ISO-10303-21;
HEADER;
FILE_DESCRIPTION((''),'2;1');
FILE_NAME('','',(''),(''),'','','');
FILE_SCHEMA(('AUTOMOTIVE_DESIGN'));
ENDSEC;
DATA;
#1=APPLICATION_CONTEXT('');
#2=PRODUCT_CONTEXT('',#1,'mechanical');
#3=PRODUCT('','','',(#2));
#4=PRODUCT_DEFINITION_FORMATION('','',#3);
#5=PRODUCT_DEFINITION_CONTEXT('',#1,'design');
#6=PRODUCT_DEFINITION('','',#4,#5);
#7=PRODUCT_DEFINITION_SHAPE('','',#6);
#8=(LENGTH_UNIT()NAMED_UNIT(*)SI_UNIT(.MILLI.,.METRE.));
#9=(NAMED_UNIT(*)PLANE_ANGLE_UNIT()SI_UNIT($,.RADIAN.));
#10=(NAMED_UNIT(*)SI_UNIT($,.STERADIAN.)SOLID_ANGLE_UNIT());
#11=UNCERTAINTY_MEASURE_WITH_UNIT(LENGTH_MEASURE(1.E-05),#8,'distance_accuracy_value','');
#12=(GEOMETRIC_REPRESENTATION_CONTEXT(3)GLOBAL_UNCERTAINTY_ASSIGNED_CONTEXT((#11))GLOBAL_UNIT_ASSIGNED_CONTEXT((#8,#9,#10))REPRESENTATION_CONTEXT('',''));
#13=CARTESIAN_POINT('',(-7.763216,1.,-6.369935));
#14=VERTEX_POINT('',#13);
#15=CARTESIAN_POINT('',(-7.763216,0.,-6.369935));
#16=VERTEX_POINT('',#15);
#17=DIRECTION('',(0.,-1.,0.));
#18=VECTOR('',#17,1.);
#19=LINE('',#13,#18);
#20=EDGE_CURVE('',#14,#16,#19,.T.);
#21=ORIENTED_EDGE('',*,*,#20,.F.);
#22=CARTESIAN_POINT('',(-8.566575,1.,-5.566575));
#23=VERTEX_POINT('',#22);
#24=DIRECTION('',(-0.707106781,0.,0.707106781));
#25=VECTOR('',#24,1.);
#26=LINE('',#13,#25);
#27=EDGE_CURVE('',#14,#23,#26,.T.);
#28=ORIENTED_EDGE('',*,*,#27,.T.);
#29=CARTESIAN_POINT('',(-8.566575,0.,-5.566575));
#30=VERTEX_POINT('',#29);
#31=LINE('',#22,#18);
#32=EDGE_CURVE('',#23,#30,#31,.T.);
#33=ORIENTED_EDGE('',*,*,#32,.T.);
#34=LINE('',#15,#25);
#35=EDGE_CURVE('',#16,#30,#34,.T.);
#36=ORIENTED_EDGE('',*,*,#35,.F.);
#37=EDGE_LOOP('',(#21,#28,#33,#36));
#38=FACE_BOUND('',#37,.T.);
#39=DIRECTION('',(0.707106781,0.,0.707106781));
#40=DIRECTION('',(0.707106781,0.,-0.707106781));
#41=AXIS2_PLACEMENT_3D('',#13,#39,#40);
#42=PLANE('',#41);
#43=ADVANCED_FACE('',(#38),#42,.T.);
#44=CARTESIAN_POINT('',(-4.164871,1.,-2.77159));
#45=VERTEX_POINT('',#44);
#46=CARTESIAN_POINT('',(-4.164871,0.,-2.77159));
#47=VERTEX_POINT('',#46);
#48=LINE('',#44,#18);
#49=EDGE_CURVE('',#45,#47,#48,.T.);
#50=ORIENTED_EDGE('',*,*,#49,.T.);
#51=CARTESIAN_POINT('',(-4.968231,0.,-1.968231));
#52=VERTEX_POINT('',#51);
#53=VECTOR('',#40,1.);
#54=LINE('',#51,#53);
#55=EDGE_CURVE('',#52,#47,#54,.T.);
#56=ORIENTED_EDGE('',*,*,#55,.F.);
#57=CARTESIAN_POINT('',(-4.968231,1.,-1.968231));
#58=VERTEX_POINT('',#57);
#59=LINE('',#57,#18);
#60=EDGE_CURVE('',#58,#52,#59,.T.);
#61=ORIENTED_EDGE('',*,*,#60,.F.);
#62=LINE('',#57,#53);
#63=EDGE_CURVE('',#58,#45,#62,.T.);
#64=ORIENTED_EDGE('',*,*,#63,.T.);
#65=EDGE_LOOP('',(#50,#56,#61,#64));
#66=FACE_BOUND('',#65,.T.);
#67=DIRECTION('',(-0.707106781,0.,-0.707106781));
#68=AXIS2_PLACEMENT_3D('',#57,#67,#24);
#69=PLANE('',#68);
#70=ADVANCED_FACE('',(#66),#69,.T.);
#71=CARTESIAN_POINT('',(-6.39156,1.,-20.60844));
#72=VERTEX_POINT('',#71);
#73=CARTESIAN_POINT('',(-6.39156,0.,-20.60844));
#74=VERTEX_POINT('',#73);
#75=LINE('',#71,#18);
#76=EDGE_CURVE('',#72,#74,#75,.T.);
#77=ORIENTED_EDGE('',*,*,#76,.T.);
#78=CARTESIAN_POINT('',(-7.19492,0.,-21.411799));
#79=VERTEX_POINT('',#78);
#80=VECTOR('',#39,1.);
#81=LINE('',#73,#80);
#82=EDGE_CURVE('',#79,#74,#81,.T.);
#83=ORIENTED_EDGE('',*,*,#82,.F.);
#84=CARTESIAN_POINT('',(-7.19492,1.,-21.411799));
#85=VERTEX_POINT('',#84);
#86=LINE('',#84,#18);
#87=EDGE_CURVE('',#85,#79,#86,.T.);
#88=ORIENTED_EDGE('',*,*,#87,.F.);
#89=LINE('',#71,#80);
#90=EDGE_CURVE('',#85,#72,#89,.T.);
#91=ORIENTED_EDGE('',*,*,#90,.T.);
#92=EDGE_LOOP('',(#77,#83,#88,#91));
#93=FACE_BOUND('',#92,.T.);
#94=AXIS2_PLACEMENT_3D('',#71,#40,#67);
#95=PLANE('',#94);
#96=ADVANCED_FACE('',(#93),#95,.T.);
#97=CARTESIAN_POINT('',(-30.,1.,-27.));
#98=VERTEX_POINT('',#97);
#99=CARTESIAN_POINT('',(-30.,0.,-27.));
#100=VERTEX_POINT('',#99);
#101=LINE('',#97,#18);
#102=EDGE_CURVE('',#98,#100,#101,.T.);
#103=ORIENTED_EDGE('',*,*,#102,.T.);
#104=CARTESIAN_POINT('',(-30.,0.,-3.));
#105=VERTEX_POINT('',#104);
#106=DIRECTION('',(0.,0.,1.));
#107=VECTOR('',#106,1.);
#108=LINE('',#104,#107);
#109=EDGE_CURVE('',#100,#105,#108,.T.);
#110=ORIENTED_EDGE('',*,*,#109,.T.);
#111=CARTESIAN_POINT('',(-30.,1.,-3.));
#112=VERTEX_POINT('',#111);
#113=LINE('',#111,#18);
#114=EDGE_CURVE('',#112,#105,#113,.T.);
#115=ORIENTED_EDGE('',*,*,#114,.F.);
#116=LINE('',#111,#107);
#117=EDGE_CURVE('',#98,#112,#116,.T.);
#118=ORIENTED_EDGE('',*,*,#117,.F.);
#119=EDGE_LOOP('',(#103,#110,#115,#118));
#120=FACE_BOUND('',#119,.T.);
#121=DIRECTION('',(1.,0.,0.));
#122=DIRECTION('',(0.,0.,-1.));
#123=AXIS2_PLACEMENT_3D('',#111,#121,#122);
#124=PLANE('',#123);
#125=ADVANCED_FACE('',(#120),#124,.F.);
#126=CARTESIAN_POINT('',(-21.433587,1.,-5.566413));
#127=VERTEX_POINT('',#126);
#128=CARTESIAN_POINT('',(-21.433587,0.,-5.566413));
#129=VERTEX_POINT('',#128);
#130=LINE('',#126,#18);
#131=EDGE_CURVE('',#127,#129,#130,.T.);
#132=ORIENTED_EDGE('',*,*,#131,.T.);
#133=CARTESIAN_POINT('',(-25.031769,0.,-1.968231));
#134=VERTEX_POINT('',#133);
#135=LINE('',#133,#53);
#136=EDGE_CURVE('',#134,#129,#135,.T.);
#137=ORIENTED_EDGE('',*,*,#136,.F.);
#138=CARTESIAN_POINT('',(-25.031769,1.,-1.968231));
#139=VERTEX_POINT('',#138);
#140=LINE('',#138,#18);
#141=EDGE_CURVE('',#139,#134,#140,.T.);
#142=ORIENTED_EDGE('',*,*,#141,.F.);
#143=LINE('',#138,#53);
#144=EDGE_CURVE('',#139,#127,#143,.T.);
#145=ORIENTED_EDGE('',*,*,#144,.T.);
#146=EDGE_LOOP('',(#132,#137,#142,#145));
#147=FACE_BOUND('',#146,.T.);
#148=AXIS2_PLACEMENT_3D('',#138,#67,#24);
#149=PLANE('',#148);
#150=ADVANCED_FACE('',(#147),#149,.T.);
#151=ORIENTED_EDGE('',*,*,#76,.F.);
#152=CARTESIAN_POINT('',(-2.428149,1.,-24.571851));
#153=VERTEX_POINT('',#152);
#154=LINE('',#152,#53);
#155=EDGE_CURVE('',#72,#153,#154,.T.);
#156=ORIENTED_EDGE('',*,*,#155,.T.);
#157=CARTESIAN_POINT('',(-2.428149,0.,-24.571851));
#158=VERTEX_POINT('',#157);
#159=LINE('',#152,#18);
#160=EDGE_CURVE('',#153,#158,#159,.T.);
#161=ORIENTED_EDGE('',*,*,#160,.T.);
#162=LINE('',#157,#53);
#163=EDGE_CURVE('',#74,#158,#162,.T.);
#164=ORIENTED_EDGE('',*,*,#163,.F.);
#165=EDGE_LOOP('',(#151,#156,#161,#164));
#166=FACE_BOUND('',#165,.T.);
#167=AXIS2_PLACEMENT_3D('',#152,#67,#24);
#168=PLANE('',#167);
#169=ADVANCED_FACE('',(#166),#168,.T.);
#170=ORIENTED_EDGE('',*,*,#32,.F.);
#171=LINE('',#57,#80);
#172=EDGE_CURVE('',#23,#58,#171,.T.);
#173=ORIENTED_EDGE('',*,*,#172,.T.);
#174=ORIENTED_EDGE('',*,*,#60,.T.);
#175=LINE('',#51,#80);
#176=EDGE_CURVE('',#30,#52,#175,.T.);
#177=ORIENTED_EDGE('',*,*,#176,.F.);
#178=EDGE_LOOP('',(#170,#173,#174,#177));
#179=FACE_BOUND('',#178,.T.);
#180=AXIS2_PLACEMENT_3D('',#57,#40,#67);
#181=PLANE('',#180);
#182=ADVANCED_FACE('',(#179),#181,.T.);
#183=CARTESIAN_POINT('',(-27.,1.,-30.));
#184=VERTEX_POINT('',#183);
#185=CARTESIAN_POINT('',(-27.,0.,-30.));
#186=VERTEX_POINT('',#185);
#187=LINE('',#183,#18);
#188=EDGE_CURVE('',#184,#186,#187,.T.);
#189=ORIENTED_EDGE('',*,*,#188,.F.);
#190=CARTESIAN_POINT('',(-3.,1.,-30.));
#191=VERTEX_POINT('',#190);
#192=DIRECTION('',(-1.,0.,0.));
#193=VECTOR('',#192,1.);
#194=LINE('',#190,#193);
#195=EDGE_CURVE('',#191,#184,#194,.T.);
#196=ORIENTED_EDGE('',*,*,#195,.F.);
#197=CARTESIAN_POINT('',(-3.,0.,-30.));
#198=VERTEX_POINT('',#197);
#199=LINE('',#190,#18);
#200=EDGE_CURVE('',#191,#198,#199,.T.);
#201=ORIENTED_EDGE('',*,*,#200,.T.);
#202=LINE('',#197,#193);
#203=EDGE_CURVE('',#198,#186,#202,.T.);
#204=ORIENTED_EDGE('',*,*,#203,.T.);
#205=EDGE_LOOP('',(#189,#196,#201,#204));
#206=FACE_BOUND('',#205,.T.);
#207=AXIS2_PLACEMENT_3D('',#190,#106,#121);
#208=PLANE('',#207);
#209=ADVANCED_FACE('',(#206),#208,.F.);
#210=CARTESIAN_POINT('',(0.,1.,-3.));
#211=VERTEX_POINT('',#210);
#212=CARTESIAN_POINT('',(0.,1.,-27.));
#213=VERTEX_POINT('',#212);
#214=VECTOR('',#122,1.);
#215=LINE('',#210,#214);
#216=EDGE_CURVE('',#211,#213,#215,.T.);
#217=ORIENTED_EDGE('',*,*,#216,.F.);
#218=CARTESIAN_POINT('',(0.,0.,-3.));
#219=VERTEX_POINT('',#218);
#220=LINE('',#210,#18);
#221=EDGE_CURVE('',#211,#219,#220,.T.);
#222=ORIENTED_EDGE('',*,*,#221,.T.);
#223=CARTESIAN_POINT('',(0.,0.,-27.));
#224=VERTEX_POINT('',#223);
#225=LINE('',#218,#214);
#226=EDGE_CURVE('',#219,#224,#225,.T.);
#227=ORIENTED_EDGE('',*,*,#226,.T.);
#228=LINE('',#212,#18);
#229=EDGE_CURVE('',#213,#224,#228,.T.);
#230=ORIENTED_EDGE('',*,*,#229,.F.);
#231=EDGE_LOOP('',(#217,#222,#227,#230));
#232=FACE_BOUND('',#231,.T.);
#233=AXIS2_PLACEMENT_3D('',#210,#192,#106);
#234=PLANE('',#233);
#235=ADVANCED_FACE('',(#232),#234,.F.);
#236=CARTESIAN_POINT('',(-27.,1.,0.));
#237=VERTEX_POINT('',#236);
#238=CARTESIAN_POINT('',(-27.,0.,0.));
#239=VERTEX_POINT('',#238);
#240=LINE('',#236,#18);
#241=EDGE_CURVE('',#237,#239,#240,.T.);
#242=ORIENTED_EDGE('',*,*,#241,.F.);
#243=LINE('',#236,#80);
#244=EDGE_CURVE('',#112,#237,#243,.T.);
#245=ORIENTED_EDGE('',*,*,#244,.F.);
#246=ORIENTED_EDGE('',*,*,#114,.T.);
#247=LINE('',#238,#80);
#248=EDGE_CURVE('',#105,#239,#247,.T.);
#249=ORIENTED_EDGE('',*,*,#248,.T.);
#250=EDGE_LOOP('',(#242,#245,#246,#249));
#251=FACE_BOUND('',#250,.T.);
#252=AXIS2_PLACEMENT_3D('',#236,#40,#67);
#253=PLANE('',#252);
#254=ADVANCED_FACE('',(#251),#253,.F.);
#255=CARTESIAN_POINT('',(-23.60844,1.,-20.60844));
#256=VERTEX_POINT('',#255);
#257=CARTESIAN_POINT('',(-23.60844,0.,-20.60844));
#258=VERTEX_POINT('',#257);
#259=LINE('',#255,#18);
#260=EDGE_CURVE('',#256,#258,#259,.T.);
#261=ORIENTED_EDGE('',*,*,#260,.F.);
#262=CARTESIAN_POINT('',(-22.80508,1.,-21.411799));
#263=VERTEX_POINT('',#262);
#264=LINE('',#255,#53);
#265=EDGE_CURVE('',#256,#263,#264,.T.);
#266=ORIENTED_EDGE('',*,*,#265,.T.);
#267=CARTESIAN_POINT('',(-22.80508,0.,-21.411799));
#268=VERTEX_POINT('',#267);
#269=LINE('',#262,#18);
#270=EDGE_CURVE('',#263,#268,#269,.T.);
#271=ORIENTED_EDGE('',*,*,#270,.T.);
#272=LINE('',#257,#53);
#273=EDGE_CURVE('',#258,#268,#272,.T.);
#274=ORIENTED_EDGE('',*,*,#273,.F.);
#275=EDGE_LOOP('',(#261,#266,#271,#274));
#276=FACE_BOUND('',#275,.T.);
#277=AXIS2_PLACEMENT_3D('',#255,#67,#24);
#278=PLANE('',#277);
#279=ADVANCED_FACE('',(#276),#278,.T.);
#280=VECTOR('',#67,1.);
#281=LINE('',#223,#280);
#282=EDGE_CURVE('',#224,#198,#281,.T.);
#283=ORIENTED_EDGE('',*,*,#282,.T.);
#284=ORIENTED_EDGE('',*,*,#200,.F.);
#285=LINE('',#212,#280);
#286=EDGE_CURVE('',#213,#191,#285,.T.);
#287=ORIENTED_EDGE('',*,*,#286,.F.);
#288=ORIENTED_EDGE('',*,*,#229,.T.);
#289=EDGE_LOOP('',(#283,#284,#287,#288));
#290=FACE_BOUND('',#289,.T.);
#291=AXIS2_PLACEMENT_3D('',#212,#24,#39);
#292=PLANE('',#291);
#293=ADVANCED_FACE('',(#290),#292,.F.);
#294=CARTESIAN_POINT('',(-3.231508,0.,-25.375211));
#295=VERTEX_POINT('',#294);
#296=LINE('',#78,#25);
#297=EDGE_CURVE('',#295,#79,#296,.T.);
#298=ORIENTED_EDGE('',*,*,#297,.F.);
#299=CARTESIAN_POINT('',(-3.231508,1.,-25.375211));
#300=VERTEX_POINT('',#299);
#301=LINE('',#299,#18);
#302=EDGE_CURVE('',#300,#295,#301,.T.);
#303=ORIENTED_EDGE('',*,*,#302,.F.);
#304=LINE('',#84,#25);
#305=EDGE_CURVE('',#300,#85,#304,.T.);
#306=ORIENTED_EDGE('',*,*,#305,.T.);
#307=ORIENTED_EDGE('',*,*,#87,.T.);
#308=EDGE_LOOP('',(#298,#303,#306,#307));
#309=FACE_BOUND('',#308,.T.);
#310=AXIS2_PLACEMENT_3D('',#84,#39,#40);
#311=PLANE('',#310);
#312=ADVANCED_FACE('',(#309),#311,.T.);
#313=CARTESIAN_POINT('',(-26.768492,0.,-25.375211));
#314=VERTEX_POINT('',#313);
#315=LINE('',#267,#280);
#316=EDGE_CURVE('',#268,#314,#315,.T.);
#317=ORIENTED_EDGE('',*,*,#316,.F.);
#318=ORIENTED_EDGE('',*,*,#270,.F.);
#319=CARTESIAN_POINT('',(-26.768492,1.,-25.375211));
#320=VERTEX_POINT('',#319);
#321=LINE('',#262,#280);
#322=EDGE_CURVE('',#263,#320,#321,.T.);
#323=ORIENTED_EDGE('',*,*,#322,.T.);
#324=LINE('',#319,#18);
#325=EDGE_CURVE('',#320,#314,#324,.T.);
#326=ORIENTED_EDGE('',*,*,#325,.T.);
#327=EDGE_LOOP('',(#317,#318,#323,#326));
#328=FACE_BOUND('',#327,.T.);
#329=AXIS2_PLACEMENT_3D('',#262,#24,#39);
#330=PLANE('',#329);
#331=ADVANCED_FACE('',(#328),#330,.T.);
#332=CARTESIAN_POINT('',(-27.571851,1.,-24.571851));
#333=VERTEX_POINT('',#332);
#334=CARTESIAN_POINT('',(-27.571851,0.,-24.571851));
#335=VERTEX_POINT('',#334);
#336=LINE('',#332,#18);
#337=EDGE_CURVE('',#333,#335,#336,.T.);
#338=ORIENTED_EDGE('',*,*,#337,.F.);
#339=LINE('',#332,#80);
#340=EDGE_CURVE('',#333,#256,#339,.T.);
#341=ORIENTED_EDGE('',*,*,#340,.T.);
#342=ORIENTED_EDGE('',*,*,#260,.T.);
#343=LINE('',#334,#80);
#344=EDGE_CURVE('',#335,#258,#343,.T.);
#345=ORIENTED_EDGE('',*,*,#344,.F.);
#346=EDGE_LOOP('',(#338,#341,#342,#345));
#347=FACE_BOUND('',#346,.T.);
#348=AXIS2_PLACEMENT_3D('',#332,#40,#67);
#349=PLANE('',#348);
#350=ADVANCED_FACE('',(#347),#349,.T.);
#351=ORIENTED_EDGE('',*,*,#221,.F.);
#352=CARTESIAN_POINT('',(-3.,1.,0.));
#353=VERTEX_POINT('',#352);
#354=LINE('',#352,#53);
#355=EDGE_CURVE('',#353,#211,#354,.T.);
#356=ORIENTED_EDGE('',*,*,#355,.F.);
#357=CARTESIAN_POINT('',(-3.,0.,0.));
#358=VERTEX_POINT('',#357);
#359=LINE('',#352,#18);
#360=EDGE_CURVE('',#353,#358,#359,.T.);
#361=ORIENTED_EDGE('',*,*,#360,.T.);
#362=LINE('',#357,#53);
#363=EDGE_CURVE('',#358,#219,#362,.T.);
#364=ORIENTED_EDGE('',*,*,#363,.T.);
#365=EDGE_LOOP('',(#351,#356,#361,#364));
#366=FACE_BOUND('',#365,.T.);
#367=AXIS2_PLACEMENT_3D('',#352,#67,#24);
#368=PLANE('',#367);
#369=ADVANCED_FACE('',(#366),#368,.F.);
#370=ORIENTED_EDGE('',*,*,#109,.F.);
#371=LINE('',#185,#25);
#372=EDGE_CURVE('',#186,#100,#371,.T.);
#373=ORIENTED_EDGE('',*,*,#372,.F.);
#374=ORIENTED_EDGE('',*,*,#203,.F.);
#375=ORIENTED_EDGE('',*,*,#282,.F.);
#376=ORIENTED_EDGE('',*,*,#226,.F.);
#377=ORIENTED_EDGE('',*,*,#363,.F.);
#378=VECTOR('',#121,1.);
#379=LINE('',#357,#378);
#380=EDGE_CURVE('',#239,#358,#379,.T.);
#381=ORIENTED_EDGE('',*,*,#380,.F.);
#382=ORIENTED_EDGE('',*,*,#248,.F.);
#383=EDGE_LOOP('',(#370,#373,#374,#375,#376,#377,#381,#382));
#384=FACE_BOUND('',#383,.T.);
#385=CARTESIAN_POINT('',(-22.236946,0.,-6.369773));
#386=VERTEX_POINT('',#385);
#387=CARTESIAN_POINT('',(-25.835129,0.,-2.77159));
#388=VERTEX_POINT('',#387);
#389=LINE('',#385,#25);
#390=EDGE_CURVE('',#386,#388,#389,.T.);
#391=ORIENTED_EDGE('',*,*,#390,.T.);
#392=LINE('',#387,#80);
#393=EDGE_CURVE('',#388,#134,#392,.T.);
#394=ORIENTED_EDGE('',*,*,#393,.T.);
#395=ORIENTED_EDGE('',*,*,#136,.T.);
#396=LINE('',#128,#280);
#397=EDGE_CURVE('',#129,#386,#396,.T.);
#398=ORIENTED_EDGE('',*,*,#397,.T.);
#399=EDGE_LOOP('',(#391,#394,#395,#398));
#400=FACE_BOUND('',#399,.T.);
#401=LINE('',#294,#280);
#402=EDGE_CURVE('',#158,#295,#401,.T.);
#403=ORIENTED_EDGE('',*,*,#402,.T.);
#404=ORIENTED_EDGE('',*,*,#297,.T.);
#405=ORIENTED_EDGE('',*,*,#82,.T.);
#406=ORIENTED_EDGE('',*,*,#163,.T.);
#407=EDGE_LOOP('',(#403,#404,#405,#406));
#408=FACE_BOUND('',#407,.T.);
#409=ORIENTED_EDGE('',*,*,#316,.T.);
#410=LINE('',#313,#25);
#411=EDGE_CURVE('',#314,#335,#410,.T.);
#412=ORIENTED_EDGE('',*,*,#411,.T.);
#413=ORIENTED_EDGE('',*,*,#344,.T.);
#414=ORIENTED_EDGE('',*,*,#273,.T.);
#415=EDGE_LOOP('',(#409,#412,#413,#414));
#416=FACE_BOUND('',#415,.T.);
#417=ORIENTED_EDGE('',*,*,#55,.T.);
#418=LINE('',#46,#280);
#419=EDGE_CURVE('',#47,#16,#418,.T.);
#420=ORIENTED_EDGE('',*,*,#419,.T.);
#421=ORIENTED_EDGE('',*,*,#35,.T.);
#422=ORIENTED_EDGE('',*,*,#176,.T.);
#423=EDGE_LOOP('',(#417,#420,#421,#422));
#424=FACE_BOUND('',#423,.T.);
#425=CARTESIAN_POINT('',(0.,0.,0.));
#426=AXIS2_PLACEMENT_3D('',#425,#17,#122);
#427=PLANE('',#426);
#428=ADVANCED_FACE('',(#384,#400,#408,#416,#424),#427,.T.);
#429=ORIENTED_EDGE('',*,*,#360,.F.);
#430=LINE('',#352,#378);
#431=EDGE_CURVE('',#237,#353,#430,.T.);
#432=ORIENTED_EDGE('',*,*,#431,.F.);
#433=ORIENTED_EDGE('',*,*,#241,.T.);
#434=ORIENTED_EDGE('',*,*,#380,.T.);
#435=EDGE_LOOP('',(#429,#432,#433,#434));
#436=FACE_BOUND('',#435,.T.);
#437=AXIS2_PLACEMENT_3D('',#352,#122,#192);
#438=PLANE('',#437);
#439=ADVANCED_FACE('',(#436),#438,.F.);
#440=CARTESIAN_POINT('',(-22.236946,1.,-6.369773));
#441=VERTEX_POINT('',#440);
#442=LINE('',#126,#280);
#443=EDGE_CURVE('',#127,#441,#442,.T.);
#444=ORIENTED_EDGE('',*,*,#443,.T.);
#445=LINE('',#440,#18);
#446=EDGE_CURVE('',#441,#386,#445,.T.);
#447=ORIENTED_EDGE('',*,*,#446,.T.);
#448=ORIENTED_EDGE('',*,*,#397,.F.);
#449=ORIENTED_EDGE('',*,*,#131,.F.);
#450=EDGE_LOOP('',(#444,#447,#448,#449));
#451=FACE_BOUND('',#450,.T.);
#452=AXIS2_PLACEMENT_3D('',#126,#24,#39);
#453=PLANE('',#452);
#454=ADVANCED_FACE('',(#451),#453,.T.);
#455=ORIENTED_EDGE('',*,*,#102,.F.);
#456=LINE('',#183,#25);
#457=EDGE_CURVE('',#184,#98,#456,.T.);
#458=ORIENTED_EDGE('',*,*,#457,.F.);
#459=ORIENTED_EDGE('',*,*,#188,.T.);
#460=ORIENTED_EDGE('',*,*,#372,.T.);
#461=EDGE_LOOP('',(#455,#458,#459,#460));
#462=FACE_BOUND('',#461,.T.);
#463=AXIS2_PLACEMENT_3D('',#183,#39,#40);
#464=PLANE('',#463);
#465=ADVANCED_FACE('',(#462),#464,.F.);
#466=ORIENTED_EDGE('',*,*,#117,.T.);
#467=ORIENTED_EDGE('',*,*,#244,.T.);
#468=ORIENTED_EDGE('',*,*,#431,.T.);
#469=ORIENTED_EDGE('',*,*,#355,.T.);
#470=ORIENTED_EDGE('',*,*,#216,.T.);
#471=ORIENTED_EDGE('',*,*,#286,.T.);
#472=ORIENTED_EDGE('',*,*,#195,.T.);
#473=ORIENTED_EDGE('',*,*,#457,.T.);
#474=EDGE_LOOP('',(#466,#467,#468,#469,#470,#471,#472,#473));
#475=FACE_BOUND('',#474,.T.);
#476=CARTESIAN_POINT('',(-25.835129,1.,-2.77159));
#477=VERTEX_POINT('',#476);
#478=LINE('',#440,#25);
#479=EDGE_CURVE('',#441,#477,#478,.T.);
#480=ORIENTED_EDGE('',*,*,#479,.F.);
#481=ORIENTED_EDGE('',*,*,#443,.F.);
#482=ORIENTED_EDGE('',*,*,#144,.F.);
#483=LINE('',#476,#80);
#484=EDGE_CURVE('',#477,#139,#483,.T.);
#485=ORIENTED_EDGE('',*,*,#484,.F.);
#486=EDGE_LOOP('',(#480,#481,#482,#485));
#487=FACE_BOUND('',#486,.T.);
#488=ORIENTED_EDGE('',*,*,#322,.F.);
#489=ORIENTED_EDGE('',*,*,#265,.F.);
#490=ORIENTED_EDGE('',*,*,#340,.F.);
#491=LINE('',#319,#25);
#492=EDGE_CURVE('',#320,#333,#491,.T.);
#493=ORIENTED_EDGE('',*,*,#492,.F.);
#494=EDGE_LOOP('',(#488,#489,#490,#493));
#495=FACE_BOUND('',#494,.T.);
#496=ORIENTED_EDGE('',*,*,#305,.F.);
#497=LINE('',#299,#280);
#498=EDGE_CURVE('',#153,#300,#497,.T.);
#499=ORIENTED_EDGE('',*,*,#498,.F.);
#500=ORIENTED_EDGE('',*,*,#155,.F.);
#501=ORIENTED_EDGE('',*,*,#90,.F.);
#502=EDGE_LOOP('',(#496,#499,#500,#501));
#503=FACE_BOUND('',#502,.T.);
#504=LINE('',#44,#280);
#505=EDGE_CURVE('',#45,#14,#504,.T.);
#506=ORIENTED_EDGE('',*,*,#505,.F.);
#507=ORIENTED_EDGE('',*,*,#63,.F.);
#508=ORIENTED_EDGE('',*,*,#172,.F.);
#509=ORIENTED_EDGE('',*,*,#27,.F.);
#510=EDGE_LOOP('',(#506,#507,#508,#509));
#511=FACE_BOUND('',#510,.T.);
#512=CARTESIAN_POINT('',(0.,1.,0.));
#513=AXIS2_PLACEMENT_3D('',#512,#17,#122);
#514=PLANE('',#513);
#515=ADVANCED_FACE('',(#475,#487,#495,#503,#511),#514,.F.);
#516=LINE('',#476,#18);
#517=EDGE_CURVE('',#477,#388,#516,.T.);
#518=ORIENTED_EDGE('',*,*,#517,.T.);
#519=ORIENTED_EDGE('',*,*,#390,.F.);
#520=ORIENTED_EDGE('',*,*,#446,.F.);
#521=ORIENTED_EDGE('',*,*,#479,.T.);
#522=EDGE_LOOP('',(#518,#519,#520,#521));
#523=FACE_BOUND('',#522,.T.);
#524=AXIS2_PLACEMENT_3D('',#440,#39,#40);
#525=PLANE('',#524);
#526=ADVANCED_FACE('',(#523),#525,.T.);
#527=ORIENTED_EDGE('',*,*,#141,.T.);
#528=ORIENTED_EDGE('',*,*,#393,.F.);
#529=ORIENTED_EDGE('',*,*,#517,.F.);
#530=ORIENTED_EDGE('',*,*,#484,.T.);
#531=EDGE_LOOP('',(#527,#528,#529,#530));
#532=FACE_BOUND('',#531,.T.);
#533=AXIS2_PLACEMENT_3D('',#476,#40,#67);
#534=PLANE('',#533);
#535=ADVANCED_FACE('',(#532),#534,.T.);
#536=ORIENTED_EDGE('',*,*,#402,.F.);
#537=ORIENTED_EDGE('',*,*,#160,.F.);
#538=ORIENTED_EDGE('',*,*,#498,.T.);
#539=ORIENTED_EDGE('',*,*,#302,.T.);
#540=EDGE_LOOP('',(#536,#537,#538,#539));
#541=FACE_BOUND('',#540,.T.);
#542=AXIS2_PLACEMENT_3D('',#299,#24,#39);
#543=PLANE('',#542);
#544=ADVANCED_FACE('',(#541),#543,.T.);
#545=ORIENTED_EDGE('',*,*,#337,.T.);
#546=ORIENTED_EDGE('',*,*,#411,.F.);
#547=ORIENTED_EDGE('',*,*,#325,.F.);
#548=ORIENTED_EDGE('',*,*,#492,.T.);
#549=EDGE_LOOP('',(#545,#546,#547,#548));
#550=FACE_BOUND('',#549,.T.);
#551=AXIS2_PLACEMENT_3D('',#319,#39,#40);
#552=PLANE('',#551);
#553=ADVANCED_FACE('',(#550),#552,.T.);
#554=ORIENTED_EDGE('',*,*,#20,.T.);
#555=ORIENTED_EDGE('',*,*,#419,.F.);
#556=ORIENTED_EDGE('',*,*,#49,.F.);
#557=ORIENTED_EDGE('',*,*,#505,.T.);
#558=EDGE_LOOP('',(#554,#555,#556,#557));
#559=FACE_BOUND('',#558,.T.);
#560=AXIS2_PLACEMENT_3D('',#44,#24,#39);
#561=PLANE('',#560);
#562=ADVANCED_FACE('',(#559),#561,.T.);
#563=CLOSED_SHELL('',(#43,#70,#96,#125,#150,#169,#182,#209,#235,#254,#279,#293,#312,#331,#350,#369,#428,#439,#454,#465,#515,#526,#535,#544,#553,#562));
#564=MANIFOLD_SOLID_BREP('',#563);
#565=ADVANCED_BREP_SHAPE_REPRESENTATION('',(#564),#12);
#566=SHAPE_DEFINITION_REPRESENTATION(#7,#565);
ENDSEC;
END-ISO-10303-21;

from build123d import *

# Parameters (mm, degrees)
EXTRUDE_1_DEPTH     = 1
CUT_EXTRUDE_1_DEPTH = 1


with BuildPart() as part:
    # 草图1 → 凸台-拉伸1 (new body)
    with BuildSketch(Plane(origin=(0, 0, 0), x_dir=(1, 0, 0), z_dir=(0, 1, 0))):
        Polygon((-27, 30), (-30, 27), (-30, 3), (-27, 0), (-3, 0), (0, 3), (0, 27), (-3, 30), align=None)
    extrude(amount=EXTRUDE_1_DEPTH)

    # 草图2 → 切除-拉伸1 (cut)
    with BuildSketch(Plane(origin=(0, 0, 0), x_dir=(1, 0, 0), z_dir=(0, 1, 0))):
        Polygon((-26.768491702, 25.375210501), (-27.571851102, 24.571851102), (-23.608439528, 20.608439528), (-22.805080129, 21.411798927), align=None)
        Polygon((-3.231508298, 25.375210501), (-2.428148898, 24.571851102), (-6.391560472, 20.608439528), (-7.194919871, 21.411798927), align=None)
        Polygon((-25.835128567, 2.771590231), (-25.031769168, 1.968230832), (-21.433586648, 5.566413352), (-22.236946047, 6.369772752), align=None)
        Polygon((-4.968230832, 1.968230832), (-4.164871433, 2.771590231), (-7.763215817, 6.369934615), (-8.566575216, 5.566575216), align=None)
    extrude(amount=CUT_EXTRUDE_1_DEPTH, mode=Mode.SUBTRACT)


solid = part.part
